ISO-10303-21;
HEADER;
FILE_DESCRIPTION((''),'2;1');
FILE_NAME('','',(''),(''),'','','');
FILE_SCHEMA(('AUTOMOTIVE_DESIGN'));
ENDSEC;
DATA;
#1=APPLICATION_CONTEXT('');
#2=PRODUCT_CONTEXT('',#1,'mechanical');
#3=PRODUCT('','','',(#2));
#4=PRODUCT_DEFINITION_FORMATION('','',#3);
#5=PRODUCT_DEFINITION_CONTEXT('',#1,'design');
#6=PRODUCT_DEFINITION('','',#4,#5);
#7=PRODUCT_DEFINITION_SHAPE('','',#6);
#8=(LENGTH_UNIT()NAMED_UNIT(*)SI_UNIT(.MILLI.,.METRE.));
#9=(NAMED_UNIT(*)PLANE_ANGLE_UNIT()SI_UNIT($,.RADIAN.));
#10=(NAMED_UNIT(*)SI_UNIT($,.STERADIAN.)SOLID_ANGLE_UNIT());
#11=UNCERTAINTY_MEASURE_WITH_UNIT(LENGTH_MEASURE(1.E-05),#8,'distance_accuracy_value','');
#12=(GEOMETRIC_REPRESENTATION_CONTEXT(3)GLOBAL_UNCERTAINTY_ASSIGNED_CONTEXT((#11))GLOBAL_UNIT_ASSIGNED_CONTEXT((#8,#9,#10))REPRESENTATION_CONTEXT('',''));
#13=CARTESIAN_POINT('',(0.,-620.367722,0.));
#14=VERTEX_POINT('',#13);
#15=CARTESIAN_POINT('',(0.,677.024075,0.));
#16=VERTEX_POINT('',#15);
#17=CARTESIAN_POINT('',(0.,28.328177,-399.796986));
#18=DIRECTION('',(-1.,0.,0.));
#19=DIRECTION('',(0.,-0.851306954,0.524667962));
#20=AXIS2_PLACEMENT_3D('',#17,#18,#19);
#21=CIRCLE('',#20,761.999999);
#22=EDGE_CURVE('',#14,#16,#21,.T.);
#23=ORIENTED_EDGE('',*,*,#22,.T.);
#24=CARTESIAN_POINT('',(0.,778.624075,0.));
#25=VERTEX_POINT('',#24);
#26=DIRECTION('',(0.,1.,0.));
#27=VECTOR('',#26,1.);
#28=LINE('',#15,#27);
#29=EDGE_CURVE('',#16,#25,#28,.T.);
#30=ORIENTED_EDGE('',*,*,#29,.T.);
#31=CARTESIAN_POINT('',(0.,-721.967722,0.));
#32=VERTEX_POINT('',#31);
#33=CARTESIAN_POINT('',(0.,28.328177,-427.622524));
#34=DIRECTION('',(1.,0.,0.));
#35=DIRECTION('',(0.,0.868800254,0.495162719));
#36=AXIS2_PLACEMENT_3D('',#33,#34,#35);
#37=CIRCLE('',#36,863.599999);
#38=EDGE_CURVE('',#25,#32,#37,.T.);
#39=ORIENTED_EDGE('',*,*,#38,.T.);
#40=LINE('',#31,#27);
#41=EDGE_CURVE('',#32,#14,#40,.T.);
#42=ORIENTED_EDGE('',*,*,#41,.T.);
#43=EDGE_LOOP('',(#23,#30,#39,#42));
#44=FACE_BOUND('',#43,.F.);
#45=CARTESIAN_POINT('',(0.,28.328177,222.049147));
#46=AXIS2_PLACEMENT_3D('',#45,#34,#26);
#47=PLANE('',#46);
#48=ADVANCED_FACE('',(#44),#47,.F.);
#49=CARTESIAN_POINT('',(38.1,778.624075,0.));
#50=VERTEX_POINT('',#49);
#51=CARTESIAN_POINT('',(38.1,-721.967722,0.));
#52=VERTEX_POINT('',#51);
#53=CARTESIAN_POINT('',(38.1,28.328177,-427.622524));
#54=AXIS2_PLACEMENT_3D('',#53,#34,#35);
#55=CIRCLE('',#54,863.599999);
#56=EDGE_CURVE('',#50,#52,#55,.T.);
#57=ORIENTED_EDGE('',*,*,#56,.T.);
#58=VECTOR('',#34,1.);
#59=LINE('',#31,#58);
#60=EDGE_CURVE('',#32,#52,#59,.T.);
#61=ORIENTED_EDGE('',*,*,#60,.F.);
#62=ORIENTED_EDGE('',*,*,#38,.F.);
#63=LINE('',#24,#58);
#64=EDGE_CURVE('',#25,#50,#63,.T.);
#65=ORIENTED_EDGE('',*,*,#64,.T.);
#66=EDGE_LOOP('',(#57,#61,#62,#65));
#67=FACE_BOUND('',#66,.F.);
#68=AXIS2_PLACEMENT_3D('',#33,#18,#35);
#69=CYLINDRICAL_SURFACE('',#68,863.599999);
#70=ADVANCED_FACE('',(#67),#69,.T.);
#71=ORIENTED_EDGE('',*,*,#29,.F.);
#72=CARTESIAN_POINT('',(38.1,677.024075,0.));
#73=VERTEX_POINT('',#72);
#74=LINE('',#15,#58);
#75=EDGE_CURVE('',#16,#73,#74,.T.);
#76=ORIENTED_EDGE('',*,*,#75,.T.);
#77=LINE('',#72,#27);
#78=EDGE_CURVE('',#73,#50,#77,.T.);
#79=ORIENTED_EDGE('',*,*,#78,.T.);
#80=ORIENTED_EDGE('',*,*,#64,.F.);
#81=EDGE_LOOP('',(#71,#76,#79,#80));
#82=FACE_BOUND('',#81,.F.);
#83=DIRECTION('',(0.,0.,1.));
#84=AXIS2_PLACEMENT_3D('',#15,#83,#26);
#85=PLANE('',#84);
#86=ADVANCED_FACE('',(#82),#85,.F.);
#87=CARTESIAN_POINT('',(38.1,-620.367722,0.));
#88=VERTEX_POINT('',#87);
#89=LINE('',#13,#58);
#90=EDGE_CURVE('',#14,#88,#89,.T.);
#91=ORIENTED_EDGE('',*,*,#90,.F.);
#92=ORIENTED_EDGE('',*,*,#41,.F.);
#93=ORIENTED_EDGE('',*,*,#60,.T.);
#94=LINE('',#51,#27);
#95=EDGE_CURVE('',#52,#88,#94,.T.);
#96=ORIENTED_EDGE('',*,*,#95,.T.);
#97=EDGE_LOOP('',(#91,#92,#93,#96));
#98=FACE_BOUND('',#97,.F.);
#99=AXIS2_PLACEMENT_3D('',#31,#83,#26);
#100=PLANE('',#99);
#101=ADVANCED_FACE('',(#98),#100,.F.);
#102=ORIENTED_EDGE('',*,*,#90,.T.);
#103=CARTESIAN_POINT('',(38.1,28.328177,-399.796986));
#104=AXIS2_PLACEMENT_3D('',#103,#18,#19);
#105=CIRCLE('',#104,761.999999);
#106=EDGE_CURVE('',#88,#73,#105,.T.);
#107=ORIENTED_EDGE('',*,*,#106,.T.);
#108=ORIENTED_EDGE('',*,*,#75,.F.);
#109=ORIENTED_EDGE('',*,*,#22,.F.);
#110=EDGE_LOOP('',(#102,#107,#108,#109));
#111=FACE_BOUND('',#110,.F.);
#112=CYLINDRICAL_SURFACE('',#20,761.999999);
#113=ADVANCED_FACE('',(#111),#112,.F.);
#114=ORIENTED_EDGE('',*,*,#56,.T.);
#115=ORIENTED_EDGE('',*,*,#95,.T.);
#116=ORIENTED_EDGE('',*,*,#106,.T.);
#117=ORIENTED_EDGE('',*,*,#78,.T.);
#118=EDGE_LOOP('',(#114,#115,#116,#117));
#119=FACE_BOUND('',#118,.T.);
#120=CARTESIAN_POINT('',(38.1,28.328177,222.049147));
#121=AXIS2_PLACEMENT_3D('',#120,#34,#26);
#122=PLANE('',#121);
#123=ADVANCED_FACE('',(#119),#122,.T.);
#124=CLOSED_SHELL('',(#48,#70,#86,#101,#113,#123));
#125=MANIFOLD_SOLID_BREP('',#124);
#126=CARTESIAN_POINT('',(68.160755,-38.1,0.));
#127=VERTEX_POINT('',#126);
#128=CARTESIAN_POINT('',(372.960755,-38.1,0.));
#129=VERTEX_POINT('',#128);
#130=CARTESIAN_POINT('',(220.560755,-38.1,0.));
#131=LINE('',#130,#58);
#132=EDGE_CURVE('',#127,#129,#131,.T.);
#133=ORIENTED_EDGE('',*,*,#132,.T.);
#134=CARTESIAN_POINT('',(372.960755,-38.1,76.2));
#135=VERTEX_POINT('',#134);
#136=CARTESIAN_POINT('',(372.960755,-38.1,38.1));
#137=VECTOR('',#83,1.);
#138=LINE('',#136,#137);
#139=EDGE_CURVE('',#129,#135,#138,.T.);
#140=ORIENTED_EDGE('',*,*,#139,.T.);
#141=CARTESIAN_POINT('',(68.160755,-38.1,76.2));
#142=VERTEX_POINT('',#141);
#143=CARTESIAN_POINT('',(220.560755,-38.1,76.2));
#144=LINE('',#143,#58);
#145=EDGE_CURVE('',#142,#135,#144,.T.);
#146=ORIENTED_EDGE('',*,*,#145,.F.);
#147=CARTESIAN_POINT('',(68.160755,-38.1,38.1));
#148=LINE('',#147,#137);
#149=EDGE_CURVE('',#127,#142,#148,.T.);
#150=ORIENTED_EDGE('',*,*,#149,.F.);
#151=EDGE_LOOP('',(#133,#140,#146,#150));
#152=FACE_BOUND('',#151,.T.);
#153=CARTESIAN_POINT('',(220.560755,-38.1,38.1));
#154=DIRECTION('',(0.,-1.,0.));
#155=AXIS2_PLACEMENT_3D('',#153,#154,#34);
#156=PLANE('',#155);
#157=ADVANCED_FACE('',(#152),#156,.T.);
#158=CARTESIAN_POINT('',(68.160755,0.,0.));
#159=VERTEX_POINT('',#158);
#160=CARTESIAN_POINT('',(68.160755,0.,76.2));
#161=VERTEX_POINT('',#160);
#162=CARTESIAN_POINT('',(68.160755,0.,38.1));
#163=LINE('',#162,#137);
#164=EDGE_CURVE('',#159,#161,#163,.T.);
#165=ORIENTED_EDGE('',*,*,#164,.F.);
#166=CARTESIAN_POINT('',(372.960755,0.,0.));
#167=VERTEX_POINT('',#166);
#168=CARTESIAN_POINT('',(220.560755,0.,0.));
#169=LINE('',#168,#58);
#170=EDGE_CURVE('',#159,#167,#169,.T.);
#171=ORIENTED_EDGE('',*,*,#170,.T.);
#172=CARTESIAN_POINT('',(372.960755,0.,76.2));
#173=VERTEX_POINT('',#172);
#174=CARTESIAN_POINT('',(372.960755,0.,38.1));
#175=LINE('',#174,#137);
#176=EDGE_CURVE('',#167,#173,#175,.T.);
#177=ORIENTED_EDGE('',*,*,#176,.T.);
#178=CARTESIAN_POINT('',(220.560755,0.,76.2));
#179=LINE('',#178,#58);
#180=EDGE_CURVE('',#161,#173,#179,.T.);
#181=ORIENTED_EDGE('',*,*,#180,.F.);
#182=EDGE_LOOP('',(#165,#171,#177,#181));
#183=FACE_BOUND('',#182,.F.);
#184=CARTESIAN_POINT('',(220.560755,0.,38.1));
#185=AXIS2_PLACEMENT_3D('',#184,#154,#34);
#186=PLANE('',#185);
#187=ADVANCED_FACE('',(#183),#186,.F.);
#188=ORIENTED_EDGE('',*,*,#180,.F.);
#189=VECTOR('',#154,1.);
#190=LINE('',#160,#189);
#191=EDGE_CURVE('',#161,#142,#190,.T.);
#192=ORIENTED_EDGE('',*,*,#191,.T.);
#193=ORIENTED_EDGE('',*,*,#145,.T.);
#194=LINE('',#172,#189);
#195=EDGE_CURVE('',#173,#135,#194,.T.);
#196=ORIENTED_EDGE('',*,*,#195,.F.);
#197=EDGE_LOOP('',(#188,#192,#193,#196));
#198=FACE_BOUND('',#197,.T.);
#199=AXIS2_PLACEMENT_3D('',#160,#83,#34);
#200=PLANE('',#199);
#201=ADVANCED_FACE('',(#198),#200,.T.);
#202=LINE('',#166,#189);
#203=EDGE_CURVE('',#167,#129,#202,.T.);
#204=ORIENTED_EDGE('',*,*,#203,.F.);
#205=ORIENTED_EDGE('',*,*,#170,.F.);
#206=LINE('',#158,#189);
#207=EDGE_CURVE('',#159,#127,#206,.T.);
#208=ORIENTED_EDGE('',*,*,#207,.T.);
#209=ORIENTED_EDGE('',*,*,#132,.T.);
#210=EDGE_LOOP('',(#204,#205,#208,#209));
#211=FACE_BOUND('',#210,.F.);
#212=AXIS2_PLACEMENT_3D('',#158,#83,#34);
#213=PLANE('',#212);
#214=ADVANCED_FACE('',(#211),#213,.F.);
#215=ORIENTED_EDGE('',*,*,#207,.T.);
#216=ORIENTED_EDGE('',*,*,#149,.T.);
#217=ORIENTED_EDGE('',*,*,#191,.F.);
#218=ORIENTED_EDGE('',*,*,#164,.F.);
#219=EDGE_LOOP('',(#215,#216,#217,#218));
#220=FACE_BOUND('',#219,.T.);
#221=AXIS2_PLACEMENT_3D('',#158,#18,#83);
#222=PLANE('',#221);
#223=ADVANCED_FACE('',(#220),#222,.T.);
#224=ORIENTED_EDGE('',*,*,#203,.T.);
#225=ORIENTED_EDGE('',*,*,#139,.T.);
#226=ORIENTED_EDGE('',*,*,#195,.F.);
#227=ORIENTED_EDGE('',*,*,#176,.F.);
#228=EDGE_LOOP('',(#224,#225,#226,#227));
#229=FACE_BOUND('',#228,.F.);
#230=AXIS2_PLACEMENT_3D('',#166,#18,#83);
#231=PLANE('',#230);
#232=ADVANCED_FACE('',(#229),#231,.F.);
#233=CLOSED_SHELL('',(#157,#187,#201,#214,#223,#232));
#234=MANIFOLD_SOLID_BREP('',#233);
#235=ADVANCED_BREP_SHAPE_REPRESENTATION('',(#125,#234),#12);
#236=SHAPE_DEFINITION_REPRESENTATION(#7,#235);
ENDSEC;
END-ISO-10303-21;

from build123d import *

# Parameters (mm, degrees)
F1_DEPTH = 38.1
F2_W     = 304.8
F2_H     = 76.2
F3_DEPTH = 38.1


with BuildPart() as f1:
    # F0 (on Right) → F1 (new body)
    with BuildSketch(Plane.YZ):
        with BuildLine():
            ThreePointArc((-620.367722, 0), (28.328177, 362.203013), (677.024075, 0))
            Line((677.024075, 0), (778.624075, 0))
            ThreePointArc((778.624075, 0), (28.328177, 435.977475), (-721.967722, 0))
            Line((-721.967722, 0), (-620.367722, 0))
        make_face()
    extrude(amount=F1_DEPTH)


with BuildPart() as f3:
    # F2 (on Front) → F3 (new body)
    with BuildSketch(Plane.XZ):
        with Locations((220.560755, 38.1)):
            Rectangle(F2_W, F2_H)
    extrude(amount=F3_DEPTH)


solid = Compound([f1.part, f3.part])
